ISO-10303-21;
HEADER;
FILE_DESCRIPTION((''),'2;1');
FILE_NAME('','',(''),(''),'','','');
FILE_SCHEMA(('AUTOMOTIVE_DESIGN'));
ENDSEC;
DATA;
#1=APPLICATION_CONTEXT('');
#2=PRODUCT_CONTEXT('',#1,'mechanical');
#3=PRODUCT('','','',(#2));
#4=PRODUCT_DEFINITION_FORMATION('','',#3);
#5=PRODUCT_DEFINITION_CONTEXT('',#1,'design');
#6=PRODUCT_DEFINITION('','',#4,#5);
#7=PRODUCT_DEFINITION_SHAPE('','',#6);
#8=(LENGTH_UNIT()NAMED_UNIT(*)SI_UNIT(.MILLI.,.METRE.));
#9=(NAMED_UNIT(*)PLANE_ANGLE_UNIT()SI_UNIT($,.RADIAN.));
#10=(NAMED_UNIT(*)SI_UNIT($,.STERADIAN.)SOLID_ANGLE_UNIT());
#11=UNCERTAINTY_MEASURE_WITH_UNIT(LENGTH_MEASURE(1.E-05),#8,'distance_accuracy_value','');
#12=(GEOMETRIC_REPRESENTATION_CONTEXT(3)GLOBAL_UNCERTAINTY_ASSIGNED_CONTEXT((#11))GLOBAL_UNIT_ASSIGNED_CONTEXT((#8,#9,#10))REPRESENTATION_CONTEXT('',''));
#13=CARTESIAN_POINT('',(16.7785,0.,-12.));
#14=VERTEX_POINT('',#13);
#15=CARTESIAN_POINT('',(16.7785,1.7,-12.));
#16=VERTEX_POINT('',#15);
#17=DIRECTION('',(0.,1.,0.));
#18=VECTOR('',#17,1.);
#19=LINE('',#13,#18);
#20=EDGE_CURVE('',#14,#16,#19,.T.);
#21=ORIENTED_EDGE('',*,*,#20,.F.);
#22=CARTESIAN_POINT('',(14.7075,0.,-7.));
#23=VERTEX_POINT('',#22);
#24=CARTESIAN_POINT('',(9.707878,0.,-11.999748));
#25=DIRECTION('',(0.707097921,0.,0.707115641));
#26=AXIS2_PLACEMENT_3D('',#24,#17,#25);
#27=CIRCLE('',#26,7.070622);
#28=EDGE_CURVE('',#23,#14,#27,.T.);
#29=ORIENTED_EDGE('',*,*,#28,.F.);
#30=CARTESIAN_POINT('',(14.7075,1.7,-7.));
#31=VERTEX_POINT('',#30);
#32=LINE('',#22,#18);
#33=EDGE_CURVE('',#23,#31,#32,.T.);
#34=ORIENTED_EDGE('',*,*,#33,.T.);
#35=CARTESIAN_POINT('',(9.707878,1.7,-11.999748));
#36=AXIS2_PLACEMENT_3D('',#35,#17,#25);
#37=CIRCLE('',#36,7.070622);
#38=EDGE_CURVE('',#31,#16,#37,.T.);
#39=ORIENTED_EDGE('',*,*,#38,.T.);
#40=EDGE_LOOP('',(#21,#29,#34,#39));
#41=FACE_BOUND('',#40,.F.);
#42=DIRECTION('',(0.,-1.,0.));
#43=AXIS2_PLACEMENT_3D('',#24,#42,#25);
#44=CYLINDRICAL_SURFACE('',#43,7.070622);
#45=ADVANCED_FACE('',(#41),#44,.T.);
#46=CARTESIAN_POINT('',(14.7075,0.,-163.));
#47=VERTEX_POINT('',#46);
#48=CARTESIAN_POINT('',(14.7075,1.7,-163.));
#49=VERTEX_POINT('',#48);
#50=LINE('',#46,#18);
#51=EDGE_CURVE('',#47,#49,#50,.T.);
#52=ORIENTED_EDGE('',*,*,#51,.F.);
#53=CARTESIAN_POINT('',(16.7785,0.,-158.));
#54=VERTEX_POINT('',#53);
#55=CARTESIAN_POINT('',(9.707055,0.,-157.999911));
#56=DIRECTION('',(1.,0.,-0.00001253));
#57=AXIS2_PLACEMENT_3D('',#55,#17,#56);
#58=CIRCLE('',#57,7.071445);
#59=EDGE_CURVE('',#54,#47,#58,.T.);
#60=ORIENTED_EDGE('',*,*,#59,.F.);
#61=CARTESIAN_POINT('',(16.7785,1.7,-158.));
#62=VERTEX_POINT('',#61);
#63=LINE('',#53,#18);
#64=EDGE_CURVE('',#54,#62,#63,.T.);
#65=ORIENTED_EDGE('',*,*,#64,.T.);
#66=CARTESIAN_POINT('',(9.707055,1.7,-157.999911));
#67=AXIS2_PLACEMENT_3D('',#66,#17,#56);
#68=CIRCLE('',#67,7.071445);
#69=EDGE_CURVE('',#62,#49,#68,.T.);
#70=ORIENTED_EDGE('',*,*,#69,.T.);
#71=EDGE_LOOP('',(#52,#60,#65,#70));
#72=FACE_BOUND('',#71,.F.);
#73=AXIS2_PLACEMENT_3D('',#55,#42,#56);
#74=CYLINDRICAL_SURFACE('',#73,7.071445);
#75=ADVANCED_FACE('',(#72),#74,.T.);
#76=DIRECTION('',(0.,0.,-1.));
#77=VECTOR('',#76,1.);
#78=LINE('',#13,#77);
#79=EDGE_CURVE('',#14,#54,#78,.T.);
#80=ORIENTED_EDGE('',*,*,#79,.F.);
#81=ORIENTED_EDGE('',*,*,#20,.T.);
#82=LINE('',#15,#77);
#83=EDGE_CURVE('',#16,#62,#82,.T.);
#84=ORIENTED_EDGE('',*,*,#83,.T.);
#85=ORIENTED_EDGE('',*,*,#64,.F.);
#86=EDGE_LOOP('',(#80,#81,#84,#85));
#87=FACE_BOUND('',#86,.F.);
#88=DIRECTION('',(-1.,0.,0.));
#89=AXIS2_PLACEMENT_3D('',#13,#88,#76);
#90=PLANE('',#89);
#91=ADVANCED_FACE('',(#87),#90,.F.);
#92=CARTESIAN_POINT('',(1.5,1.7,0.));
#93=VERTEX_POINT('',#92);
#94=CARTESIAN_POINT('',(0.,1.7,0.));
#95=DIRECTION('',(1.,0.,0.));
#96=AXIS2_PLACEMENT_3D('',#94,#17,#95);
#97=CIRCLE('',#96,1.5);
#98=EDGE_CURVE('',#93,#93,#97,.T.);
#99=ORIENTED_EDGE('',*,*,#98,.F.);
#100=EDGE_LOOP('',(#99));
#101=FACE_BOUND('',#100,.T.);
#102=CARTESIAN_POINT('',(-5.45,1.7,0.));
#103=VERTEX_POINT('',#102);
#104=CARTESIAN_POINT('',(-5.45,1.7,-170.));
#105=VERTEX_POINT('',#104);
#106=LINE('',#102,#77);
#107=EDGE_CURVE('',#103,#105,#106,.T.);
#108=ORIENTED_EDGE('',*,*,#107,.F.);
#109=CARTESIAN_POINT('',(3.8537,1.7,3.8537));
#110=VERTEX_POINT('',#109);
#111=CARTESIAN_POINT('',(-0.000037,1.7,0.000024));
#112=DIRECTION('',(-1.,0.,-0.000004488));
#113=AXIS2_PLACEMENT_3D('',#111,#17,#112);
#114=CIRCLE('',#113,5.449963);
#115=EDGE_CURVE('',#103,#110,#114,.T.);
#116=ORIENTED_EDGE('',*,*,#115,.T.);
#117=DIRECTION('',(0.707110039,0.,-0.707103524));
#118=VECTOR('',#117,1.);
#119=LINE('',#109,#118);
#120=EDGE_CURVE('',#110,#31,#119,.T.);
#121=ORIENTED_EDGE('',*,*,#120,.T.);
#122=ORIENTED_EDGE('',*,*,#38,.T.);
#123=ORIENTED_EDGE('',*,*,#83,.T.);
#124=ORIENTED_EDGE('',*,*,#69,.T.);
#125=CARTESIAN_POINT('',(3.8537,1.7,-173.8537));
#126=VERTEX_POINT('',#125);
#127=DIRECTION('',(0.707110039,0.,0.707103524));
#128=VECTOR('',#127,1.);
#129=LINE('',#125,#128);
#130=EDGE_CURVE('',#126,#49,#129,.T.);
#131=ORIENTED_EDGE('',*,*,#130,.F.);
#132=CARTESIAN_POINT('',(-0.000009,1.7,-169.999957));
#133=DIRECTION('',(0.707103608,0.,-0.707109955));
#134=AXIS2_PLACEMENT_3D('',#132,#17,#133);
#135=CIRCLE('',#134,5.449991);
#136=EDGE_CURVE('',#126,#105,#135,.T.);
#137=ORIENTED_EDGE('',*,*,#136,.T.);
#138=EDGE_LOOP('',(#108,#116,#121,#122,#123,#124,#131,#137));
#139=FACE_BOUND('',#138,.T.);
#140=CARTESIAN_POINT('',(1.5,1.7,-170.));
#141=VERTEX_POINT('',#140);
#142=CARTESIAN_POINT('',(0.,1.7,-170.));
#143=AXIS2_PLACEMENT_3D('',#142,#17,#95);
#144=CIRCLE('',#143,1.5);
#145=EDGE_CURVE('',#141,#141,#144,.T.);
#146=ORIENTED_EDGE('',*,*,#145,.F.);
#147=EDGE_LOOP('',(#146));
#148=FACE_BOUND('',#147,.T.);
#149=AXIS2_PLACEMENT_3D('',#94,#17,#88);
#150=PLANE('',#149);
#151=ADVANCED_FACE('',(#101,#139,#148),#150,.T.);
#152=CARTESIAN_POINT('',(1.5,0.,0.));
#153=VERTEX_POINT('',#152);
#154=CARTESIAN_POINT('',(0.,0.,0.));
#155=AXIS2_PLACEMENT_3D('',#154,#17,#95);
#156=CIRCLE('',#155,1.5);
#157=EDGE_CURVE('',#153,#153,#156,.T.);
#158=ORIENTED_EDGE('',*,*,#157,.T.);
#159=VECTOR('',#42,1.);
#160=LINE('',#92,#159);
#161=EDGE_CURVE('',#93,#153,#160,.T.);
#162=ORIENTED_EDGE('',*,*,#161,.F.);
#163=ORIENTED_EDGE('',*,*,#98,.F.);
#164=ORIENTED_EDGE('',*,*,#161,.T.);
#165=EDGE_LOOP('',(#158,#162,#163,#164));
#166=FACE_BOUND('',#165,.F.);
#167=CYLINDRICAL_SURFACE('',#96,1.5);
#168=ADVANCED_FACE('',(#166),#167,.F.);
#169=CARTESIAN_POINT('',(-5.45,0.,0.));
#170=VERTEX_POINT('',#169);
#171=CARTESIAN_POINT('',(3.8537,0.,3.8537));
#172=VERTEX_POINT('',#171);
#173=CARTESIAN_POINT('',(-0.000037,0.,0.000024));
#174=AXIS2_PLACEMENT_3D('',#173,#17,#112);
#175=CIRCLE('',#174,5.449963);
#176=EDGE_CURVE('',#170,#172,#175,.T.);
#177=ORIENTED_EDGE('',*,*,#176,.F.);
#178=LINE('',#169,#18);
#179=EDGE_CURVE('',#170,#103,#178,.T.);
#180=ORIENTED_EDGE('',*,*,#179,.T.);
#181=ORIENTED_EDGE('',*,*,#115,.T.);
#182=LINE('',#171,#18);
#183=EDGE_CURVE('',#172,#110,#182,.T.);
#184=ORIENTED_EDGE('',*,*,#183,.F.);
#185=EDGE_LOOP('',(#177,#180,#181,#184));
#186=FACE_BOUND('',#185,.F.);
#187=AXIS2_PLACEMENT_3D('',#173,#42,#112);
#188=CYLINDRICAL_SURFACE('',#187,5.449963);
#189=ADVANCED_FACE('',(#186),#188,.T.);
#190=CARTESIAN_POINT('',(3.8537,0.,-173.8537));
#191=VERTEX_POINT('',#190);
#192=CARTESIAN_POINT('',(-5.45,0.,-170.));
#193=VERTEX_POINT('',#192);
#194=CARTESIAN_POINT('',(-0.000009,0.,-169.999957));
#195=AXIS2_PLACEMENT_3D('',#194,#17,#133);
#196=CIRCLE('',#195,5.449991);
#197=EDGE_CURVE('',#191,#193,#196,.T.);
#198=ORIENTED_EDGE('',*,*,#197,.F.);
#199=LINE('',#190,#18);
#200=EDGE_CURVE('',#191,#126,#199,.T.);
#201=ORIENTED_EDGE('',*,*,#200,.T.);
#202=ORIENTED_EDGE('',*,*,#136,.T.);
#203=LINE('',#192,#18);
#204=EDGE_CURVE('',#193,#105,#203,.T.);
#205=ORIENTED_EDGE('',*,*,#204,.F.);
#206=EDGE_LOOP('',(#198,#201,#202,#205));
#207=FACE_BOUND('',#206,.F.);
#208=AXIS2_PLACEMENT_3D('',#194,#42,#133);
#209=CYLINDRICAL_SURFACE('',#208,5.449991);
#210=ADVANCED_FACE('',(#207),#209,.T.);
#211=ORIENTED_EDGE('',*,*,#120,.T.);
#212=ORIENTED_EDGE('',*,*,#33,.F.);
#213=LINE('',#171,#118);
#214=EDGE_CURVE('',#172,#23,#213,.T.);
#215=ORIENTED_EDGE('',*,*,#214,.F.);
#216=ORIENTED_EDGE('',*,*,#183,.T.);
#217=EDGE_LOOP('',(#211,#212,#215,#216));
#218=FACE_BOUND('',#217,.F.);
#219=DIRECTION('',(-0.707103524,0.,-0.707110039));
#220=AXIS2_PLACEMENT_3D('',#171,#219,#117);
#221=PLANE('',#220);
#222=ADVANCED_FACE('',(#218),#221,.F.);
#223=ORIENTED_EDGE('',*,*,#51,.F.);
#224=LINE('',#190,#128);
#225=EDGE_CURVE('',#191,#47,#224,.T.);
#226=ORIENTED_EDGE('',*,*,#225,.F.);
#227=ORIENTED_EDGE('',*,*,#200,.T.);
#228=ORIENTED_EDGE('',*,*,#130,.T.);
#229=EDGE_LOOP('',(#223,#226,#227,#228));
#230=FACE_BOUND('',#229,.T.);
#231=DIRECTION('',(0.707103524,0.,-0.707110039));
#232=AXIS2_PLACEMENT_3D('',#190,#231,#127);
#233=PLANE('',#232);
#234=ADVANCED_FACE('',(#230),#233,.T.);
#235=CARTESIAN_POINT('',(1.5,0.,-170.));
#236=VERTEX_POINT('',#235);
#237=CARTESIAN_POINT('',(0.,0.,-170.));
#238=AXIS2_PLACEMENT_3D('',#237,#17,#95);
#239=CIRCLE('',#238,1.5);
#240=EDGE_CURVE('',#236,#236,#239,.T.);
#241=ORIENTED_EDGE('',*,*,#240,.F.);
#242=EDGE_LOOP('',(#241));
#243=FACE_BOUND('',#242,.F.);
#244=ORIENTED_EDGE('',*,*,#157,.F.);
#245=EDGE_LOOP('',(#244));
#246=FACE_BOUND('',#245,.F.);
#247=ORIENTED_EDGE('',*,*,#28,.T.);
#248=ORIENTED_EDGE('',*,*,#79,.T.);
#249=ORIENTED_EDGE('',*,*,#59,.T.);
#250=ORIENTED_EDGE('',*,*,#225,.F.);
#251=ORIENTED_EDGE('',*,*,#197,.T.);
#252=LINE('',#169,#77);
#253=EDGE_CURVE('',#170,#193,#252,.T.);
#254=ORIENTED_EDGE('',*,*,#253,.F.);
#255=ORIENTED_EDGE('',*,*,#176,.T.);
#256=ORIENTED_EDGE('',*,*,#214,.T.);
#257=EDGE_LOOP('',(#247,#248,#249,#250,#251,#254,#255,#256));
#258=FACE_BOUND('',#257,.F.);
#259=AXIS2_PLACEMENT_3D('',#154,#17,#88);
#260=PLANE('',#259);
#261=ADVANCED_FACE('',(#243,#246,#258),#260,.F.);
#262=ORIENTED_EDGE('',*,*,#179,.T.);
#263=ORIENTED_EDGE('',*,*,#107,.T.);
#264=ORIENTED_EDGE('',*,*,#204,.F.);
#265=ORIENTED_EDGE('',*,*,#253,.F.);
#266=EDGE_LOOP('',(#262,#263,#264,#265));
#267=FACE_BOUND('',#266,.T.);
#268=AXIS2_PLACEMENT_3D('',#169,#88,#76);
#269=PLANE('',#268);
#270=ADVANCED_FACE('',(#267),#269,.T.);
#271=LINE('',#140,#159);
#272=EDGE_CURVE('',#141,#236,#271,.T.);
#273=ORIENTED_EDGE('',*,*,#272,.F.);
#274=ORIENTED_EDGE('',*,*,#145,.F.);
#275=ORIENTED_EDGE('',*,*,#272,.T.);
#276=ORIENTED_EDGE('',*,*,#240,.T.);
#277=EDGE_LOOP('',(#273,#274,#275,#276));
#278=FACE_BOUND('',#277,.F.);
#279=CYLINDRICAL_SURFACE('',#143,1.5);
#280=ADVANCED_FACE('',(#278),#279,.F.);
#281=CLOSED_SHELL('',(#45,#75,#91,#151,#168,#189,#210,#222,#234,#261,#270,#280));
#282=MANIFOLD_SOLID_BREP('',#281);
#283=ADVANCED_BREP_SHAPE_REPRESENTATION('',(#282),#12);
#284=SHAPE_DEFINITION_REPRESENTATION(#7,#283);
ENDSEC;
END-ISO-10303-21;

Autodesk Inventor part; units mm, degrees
ref_plane "YZ Plane" through (0, 0, 0) normal (1, 0, 0) x (0, 1, 0)
ref_plane "XZ Plane" through (0, 0, 0) normal (0, 1, 0) x (-1, 0, 0)
ref_plane "XY Plane" through (0, 0, 0) normal (0, 0, 1) x (1, 0, 0)
sketch "Sketch1" plane through (0, 0, 0) normal (0, 1, 0) x (-1, 0, 0)
  arc A0 (5.45, 0) -> (-3.8537, 3.8537) centre (0, 0) ccw
  line L0 (5.45, 0) -> (5.45, -170)
  line L1 (-3.8537, 3.8537) -> (-14.7075, -7)
  arc A1 (-14.7075, -7) -> (-16.7785, -12) centre (-9.7075, -12) ccw
  line L2 (-16.7785, -12) -> (-16.7785, -158)
  arc A2 (-3.8537, -173.8537) -> (5.45, -170) centre (0, -170) ccw
  line L3 (-3.8537, -173.8537) -> (-14.7075, -163)
  arc A3 (-16.7785, -158) -> (-14.7075, -163) centre (-9.7075, -158) ccw
  dimension "d0" = 10.9
  dimension "d3" = 170
  dimension "d5" = 0
  dimension "d6" = 12
  dimension "d7" = 12
  dimension "d8" = 5.45
  dimension "d9" = 45
  dimension "d10" = 7
  dimension "d11" = 7
  dimension "d12" = 10.9
  dimension "d13" = 135
extrude "Extrusion1" add sketch "Sketch1" along normal blind 1.7
sketch "Sketch2" plane through (0, 1.7, 0) normal (0, 1, 0) x (1, 0, 0)
  arc A0 (3.8537, 173.8537) -> (-5.45, 170) centre (0, 170) ccw projected
  arc A1 (-5.45, 0) -> (3.8537, -3.8537) centre (0, 0) ccw projected
  circle A2 centre (0, 0) radius 1.5
  circle A3 centre (0, 170) radius 1.5
  dimension "d16" = 3
  dimension "d17" = 3
extrude "Extrusion2" cut sketch "Sketch2" against normal blind 1.7
equation "\"BendRadius\" = Thickness"
equation "\"BendReliefWidth\" = Thickness"
equation "\"BendReliefDepth\" = 0.5 * Thickness"
equation "\"CornerReliefSize\" = 4 * Thickness"
equation "\"MinimumRemnant\" = 2 * Thickness"
equation "\"TransitionRadius\" = BendRadius"
equation "\"JacobiRadiusSize\" = BendRadius"
equation "\"GapSize\" = Thickness"
equation "\"Thickness\" = 3.048"
properties part number "A3P2"
